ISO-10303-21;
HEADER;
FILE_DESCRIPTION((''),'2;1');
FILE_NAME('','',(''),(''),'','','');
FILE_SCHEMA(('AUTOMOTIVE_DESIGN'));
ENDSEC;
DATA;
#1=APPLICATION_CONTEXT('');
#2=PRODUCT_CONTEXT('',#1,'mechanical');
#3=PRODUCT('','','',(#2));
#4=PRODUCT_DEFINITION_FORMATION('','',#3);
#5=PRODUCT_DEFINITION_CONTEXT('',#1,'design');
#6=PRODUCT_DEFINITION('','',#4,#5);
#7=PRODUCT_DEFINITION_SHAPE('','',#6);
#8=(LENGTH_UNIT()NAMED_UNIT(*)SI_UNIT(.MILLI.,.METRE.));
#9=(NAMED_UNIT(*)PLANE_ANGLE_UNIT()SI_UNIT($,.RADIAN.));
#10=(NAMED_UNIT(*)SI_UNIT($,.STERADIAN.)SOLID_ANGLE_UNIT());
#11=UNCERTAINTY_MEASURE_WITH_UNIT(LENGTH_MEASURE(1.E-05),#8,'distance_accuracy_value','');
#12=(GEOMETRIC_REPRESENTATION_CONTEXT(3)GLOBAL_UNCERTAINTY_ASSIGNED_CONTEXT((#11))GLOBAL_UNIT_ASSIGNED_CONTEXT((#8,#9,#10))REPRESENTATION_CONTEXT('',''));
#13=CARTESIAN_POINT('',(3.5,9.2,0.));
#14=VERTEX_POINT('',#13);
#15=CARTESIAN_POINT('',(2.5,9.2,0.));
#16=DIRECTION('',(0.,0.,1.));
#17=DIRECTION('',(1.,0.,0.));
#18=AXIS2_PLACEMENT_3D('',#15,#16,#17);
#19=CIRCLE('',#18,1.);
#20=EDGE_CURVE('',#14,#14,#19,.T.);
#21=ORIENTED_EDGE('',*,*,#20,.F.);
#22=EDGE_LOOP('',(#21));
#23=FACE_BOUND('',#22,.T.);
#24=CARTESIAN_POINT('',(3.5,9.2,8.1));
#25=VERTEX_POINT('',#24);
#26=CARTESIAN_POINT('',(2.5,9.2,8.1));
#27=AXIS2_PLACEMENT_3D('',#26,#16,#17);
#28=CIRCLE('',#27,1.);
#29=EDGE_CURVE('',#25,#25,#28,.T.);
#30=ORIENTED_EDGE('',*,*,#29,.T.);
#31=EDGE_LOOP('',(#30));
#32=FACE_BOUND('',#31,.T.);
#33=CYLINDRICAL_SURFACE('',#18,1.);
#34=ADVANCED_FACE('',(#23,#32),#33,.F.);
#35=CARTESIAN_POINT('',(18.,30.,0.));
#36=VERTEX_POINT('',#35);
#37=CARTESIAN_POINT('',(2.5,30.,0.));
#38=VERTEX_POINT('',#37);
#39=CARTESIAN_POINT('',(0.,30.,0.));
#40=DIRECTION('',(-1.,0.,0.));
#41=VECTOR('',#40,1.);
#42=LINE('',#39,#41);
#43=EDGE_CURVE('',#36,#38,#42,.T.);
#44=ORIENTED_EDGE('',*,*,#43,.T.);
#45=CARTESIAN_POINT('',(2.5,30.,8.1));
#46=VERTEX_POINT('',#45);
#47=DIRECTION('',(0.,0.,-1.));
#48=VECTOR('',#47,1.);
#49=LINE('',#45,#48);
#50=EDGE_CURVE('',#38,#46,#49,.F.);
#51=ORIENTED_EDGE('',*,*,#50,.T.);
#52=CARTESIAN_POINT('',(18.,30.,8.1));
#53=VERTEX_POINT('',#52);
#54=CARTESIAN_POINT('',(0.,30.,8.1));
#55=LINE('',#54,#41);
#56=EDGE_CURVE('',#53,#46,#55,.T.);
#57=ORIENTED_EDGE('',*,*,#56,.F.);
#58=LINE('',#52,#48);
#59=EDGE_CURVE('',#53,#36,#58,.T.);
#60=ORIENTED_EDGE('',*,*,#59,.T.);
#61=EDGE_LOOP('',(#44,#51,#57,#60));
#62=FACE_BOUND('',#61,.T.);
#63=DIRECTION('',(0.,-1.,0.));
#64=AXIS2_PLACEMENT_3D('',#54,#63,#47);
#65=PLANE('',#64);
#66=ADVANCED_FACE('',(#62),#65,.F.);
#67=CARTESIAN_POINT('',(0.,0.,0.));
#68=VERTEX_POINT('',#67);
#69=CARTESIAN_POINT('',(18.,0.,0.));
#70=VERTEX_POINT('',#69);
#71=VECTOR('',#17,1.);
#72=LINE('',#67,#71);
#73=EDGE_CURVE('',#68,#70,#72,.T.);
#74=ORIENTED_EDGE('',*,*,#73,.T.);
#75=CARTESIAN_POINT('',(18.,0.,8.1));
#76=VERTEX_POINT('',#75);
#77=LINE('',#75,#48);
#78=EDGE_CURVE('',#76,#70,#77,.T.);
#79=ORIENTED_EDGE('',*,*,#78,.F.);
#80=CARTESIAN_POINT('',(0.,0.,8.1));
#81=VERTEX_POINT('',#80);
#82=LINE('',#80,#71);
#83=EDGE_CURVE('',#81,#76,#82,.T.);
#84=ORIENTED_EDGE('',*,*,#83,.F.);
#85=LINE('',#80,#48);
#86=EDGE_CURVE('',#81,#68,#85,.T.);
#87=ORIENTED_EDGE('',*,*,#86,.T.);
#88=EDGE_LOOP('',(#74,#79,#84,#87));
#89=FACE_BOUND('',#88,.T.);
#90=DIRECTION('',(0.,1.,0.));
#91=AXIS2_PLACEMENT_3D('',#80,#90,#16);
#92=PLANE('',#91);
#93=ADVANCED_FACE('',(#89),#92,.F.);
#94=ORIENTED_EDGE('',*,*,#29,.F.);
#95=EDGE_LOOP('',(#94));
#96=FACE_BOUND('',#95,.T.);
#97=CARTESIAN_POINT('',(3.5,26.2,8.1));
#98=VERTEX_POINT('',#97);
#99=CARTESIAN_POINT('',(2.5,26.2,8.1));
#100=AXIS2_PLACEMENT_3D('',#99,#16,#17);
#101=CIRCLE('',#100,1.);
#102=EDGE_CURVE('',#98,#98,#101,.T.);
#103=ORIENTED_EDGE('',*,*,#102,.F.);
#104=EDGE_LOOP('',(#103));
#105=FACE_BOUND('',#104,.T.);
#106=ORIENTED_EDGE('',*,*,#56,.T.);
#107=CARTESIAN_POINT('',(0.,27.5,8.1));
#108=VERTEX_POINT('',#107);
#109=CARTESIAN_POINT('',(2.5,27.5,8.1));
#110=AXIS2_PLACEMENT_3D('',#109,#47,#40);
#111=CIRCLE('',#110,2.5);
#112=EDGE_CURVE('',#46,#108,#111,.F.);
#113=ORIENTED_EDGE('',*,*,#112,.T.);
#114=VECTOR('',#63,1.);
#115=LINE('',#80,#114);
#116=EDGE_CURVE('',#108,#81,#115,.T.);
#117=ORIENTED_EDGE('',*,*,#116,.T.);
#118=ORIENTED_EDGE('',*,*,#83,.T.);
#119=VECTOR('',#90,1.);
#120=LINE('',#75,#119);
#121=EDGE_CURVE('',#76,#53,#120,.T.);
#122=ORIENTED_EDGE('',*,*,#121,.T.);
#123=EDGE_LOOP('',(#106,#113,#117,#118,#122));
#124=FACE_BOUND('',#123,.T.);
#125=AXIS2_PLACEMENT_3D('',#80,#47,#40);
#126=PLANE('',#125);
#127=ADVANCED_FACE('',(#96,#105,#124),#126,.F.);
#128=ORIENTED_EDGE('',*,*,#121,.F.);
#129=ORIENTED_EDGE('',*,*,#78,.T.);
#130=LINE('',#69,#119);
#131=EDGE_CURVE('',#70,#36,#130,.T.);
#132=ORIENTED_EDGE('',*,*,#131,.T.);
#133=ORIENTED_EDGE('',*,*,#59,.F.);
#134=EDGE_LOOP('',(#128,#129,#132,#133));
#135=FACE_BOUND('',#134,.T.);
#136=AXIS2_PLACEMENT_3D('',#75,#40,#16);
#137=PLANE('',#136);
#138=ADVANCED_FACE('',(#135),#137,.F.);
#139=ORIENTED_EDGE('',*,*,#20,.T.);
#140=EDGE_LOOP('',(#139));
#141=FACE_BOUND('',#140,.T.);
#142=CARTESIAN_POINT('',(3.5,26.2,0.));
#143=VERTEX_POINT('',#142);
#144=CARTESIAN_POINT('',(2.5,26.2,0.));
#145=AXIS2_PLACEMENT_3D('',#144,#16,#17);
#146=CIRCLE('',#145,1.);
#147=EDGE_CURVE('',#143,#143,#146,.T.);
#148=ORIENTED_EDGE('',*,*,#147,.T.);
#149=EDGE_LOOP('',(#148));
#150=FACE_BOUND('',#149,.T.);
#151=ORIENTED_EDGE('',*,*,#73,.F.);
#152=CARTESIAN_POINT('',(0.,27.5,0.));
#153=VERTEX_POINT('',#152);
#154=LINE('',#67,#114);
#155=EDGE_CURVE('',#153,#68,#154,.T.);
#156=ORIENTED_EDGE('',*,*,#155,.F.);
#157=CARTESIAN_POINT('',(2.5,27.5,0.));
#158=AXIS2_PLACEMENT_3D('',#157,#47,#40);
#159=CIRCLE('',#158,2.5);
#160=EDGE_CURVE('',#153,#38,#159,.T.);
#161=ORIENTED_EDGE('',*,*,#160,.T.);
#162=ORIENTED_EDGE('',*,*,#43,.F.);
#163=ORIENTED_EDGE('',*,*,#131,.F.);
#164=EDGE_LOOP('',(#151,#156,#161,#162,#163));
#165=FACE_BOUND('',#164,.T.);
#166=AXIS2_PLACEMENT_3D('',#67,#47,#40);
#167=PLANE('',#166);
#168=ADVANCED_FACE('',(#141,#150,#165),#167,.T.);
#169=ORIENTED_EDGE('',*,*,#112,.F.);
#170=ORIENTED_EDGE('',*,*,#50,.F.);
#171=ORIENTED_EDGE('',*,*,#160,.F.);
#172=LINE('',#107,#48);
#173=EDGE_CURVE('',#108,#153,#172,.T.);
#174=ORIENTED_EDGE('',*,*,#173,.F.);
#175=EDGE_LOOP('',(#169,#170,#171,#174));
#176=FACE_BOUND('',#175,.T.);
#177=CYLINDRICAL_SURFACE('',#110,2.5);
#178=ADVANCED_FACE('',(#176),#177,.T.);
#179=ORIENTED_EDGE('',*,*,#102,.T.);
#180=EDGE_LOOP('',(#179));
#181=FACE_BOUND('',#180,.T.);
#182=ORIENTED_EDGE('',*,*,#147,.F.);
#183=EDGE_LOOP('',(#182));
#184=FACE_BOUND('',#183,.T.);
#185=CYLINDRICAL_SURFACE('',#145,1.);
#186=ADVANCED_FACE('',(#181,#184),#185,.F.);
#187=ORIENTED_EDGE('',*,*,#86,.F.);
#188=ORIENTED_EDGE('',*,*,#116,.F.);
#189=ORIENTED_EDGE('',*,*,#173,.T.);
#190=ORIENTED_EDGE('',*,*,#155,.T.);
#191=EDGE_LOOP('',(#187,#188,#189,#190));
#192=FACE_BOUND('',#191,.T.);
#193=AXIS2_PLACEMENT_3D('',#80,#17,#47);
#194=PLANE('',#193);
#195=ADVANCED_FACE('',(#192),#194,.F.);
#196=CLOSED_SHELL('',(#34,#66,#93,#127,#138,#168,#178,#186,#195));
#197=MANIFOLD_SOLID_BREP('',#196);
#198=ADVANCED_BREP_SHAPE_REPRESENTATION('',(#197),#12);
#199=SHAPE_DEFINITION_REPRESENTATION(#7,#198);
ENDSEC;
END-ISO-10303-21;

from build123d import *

# Parameters (mm, degrees)
ESQUISSE1_W             = 18
ESQUISSE1_H             = 30
BOSS_EXTRU_1_DEPTH      = 8.1
ESQUISSE3_R             = 1
ENL_V_MAT_EXTRU_1_DEPTH = 36.911140333
CONG_1_R                = 2.5


with BuildPart() as part:
    # Esquisse1 → Boss.-Extru.1 (new body)
    with BuildSketch(Plane.XY):
        with Locations((9, 15)):
            Rectangle(ESQUISSE1_W, ESQUISSE1_H)
    extrude(amount=BOSS_EXTRU_1_DEPTH)

    # Esquisse3 → Enlèv. mat.-Extru.1 (cut, through all)
    with BuildSketch(Plane.XY.offset(8.1)):
        with Locations((2.5, 26.2)):
            Circle(ESQUISSE3_R)
        with Locations((2.5, 9.2)):
            Circle(ESQUISSE3_R)
    extrude(amount=-ENL_V_MAT_EXTRU_1_DEPTH, mode=Mode.SUBTRACT)

    # Congé1
    cong_1_edges = [part.edges().sort_by_distance(p)[0] for p in [
        (0, 30, 4.05),
    ]]
    fillet(cong_1_edges, radius=CONG_1_R)


solid = part.part
